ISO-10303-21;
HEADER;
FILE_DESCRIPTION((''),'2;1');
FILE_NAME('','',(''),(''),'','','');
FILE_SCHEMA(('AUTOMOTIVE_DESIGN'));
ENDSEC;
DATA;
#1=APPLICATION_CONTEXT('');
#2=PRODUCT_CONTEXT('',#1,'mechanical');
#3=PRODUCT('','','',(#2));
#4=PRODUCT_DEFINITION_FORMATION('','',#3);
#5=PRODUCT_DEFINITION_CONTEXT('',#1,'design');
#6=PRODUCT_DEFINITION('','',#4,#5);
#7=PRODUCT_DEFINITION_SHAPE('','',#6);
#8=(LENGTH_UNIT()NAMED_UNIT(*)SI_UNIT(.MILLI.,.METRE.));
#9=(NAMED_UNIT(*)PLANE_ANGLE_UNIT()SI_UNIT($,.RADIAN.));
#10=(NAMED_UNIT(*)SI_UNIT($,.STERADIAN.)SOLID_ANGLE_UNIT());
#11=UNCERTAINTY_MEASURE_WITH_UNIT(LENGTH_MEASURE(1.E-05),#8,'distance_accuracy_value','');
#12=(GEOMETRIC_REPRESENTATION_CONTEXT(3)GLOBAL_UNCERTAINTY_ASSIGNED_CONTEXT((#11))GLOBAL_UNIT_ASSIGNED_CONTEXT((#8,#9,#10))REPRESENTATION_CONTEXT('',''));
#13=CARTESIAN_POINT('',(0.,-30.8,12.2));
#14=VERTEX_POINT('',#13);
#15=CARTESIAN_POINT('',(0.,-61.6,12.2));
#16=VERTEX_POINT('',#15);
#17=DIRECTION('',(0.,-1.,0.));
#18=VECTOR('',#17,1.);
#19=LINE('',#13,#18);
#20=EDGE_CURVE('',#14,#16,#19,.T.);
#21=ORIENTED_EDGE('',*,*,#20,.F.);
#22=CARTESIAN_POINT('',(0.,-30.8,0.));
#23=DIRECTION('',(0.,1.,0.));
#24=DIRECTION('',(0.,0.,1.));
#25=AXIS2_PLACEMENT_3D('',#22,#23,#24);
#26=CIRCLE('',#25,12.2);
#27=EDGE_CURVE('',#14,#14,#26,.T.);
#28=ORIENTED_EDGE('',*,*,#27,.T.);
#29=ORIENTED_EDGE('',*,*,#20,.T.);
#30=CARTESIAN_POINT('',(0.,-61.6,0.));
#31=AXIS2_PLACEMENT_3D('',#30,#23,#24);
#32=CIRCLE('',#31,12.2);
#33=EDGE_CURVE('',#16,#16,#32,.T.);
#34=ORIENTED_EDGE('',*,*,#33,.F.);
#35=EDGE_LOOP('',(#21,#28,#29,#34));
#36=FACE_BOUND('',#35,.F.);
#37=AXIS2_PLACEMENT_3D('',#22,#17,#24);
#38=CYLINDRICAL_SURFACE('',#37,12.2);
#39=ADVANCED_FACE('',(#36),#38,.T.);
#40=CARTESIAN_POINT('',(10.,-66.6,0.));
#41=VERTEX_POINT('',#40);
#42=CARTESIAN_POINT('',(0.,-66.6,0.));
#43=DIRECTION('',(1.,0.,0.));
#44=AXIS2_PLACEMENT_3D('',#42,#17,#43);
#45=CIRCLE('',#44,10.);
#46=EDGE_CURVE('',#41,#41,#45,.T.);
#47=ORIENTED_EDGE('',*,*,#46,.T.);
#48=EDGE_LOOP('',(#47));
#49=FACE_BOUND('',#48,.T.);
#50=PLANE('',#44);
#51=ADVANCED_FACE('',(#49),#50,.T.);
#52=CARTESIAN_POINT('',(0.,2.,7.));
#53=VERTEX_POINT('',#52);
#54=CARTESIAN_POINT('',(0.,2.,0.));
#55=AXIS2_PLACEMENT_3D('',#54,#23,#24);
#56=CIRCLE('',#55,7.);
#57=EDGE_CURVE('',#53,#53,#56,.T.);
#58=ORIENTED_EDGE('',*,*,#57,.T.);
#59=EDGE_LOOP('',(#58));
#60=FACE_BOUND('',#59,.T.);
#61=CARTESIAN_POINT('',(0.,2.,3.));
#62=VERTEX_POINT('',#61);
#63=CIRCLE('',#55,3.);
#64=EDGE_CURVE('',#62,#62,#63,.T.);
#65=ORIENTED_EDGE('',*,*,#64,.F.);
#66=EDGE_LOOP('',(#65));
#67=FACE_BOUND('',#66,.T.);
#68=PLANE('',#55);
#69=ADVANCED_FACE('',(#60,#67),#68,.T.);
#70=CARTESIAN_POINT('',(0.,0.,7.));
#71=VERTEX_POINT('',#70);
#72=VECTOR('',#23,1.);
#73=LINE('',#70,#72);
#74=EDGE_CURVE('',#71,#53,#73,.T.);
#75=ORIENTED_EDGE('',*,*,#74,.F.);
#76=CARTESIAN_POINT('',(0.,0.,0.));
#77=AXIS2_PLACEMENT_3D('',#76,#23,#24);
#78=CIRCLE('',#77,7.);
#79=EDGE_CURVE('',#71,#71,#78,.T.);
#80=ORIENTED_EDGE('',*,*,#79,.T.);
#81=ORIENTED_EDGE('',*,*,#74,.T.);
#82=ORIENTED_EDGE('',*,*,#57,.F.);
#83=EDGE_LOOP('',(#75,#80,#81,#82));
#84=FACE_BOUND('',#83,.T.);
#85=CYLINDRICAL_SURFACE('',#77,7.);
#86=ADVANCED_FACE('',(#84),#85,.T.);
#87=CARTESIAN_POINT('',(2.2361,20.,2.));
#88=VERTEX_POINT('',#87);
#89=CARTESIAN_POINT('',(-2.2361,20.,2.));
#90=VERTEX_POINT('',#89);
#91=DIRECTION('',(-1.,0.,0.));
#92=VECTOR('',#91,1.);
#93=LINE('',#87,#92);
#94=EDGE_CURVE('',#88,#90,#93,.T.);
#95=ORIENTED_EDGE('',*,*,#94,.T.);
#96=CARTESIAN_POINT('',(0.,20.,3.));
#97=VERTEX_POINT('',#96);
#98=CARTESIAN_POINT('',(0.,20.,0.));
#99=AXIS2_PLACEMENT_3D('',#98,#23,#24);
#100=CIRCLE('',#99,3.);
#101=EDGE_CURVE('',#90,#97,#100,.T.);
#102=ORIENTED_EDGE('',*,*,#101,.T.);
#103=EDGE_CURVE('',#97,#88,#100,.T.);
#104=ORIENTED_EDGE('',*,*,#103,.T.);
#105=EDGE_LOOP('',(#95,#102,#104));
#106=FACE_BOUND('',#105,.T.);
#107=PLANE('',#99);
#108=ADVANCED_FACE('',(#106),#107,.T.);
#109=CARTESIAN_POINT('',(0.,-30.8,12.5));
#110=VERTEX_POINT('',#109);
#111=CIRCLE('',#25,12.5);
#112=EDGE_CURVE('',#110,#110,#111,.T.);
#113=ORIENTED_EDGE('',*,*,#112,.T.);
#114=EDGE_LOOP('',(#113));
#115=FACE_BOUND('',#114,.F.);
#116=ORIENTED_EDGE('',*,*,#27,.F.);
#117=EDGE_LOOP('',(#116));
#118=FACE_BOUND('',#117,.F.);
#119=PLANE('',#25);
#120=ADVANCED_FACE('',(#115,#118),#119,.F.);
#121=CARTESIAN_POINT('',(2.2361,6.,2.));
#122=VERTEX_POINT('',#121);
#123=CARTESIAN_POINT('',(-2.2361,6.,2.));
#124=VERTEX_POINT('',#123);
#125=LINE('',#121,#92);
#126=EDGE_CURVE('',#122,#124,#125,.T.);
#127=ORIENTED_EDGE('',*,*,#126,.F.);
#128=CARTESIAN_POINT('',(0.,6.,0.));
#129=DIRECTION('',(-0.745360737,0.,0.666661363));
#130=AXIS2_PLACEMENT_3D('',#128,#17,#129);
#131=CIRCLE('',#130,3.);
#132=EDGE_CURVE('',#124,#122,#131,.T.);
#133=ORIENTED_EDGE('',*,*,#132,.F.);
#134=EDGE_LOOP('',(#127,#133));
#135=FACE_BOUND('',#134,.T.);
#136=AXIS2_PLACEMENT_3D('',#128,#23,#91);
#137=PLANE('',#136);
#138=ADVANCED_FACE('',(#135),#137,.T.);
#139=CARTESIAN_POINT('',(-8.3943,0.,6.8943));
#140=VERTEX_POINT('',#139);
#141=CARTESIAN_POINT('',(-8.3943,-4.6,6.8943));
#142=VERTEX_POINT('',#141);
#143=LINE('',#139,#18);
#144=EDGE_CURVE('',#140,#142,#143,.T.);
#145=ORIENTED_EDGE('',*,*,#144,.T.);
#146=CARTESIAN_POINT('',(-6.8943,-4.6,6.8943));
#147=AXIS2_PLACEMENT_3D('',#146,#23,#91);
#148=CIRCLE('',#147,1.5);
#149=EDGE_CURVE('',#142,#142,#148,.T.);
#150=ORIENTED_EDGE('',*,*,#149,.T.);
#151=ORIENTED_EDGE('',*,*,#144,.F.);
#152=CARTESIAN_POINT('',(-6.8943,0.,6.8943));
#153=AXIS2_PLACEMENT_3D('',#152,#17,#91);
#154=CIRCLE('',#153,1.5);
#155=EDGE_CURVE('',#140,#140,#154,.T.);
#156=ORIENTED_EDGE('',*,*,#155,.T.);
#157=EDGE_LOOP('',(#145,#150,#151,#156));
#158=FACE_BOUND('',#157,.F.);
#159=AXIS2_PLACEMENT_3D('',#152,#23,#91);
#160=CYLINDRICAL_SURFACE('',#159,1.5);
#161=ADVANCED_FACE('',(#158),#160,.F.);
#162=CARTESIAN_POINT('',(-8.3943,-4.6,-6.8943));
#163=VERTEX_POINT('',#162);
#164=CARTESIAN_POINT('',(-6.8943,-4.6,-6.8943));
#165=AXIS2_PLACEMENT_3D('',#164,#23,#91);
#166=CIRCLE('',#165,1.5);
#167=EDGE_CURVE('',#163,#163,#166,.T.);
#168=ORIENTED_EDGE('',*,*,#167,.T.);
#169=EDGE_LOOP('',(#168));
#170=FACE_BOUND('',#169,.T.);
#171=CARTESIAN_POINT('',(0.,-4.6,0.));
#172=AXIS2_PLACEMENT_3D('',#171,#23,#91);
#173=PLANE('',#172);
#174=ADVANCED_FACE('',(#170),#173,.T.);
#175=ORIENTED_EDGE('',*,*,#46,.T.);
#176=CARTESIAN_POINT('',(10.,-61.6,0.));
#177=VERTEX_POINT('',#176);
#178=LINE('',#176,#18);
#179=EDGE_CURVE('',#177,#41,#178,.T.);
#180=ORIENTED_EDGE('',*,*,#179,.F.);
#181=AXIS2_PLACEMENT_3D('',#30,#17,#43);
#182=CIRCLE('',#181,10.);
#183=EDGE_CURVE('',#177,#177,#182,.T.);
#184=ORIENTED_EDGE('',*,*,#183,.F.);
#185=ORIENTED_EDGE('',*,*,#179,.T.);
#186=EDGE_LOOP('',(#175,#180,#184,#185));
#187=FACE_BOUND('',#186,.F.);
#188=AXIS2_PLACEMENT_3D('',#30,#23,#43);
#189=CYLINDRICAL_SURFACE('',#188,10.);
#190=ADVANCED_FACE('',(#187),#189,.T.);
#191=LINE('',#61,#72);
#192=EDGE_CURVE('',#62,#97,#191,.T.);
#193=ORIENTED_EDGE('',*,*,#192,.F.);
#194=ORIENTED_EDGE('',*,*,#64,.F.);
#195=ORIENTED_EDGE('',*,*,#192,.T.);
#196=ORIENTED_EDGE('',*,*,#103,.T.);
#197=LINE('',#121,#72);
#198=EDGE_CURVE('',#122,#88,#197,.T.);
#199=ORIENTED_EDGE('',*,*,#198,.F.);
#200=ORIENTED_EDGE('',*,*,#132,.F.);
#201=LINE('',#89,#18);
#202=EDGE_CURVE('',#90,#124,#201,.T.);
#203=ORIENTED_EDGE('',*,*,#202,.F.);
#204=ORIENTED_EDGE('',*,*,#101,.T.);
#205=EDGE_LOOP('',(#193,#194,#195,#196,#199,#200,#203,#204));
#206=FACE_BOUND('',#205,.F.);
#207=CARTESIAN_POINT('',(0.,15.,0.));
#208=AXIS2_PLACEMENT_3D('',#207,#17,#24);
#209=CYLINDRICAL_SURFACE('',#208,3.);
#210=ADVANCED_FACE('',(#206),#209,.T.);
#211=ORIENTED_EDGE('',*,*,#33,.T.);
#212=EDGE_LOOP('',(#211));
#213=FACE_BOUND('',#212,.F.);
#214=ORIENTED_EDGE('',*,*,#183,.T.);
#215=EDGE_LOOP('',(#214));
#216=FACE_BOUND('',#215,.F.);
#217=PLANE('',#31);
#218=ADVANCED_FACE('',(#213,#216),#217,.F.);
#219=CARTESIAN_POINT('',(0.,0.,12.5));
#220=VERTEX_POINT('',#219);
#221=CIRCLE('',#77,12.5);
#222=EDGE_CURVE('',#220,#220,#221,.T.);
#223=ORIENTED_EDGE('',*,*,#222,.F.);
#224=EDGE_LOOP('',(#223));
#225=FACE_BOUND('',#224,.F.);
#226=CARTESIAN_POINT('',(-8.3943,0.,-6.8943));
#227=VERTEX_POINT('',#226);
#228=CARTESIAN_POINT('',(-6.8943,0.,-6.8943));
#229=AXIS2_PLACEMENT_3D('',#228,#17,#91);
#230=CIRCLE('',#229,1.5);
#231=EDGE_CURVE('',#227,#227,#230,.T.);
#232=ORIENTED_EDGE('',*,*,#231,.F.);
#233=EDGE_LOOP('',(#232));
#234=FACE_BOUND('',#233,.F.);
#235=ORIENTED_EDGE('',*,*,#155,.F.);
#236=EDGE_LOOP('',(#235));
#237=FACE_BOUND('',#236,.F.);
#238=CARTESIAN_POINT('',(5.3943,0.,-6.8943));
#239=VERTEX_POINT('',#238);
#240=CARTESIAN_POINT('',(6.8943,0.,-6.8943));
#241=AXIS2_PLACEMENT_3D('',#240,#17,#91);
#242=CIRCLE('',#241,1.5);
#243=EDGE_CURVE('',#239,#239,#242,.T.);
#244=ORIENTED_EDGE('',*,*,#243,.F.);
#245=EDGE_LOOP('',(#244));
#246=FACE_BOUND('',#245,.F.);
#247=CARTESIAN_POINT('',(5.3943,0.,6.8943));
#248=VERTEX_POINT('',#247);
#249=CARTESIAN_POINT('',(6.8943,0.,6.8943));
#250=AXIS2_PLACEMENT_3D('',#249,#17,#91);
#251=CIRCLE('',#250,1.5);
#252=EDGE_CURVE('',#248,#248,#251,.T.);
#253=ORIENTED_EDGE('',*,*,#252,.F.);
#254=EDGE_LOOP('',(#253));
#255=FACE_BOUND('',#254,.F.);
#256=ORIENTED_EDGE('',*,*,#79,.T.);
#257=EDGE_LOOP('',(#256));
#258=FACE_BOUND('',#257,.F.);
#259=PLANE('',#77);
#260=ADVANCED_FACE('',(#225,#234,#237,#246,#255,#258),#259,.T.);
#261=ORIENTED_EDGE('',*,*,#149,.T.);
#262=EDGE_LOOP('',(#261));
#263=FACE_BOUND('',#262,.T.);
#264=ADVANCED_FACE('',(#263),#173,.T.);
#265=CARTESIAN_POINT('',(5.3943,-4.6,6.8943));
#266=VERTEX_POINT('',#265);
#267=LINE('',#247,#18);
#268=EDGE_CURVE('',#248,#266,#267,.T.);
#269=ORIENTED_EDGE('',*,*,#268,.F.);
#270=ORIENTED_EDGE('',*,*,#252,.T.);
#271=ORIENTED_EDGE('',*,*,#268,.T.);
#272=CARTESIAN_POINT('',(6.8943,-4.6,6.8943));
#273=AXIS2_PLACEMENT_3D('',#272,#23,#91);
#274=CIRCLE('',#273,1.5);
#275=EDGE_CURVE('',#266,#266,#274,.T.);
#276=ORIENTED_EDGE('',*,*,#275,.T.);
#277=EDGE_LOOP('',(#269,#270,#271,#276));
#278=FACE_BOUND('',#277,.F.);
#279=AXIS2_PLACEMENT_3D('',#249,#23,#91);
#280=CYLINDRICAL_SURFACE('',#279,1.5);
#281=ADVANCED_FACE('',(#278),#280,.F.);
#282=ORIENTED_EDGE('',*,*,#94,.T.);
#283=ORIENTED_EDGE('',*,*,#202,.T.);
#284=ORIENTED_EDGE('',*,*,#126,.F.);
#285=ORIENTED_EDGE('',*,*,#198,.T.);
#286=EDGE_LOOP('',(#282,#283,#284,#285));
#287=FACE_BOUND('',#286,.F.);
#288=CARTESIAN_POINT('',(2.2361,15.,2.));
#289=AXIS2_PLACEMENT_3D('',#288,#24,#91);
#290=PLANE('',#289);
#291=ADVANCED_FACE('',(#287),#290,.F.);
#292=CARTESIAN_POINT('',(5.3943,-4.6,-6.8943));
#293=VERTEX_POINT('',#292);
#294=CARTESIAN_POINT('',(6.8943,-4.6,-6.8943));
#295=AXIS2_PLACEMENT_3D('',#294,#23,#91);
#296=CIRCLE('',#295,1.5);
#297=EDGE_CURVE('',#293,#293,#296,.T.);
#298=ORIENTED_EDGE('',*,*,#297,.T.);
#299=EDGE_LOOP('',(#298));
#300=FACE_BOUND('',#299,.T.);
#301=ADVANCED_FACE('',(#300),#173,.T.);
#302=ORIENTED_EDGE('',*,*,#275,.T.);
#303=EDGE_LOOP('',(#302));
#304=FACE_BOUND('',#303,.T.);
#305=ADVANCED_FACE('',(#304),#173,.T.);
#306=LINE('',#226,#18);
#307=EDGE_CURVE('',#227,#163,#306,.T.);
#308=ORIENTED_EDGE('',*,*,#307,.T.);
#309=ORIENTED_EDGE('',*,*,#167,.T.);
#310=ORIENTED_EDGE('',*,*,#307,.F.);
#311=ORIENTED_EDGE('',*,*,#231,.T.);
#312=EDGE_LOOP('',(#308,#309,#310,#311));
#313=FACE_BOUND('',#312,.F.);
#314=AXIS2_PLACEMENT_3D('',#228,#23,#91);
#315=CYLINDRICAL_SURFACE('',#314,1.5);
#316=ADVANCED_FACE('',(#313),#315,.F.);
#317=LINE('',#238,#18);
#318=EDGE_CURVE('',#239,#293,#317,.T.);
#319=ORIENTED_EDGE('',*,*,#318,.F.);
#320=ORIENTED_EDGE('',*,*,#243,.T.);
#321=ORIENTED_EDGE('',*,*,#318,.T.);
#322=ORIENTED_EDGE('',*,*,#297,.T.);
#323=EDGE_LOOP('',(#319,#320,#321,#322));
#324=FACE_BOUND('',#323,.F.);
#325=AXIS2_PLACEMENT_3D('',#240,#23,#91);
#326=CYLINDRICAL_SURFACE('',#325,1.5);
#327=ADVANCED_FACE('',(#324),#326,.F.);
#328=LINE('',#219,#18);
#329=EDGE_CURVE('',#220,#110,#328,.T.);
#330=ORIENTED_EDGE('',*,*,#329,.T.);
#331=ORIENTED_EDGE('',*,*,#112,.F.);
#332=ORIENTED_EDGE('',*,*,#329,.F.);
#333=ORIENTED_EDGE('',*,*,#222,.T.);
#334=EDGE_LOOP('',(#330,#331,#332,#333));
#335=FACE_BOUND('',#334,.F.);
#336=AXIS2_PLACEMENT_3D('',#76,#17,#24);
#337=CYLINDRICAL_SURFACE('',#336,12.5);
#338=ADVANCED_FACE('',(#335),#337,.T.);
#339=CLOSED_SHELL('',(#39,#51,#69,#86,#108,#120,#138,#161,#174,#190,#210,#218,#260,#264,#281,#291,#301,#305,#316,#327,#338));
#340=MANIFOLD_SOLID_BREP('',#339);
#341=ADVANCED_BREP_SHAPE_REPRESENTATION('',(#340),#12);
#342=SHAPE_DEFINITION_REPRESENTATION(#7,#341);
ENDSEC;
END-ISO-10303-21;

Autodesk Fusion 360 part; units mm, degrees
sketch "Sketch1" plane through (0, 0, 0) normal (1, 0, 0) x (0, 1, 0)
  line L0 (0, 7) -> (2, 7)
  line L1 (2, 7) -> (2, 0)
  line L2 (0, 0) -> (0, 12.5)
  line L3 (0, 12.5) -> (-30.8, 12.5)
  line L4 (-30.8, 12.5) -> (-30.8, 0)
  line L5 (-30.8, 12.2) -> (-61.6, 12.2)
  line L6 (-61.6, 12.2) -> (-61.6, 0)
  line L7 (-61.6, 0) -> (0, 0)
  line L8 (2, 3) -> (15, 3)
  line L9 (15, 3) -> (15, 0)
  line L10 (15, 0) -> (0, 0)
  line L11 (-61.6, -12.2) -> (-61.6, 0)
  line L12 (-30.8, -12.2) -> (-61.6, -12.2)
  line L13 (-30.8, -12.5) -> (-30.8, 0)
  line L14 (0, -12.5) -> (-30.8, -12.5)
  line L15 (0, 0) -> (0, -12.5)
  line L16 (0, -7) -> (2, -7)
  line L17 (2, -7) -> (2, 0)
  line L18 (2, -3) -> (15, -3)
  line L19 (15, -3) -> (15, 0)
  dimension "d1" = 25
  dimension "d2" = 24.4
  dimension "d3" = 14
  dimension "d4" = 6
  dimension "d5" = 15
  dimension "d7" = 30.8
  dimension "d8" = 30.8
  dimension "d9" = 2
revolve "Revolve1" add sketch "Sketch1" angle 360 about axis through (0, 1.75, 0) along (0, 1, 0) contours L0 L1 L2 L10 | L2 L3 L4 L7 | L1 L8 L9 L10 | L4 L5 L6 L7
sketch "Sketch2" plane through (0, 15, 0) normal (0, 1, 0) x (-1, 0, 0)
  circle A0 centre (0, 0) radius 3
  circle A1 centre (0, 0) radius 3
  line L0 (-2.2361, 2) -> (2.2361, 2)
  line L1 (0, 0) -> (0, -3)
  point P0 (0, -3)
  dimension "d11" = 6
  dimension "d12" = 5
extrude "Extrude1" cut sketch "Sketch2" against normal blind 9 contours A0 A1 L0 picked at (-0.1433, 0.3437)
sketch "Sketch3" plane through (0, 0, 0) normal (0, 1, 0) x (-1, 0, 0)
  circle A0 centre (0, 0) radius 12.5
  circle A1 centre (0, 0) radius 7
  circle A2 centre (-6.8943, 6.8943) radius 1.5
  circle A3 centre (6.8943, 6.8943) radius 1.5
  circle A4 centre (6.8943, -6.8943) radius 1.5
  circle A5 centre (-6.8943, -6.8943) radius 1.5
  line L0 (0, 0) -> (-6.8943, 6.8943)
  line L1 (0, 0) -> (6.8943, 6.8943)
  line L2 (6.8943, -6.8943) -> (0, 0)
  line L3 (0, 0) -> (-6.8943, -6.8943)
  circle A6 centre (0, 0) radius 9.75
  line L4 (0, 0) -> (2.2693, 0)
  dimension "d15" = 3
  dimension "d16" = 19.5
  dimension "d20" = 45
extrude "Extrude2" cut sketch "Sketch3" against normal blind 4.6 contours A3 L1 A6 | A3 L1 A6 | A4 L2 A6 | A4 L2 A6 | A2 L0 A6 | A2 L0 A6 | A3 A6 | A5 L3 A6 | A5 L3 A6 | A4 A6 | A2 A6 | A5 A6
sketch "Sketch4" plane through (0, -61.6, 0) normal (0, -1, 0) x (1, 0, 0)
  circle A0 centre (0, 0) radius 12.2
  circle A1 centre (0, 0) radius 10
  dimension "d23" = 20
extrude "Extrude3" add sketch "Sketch4" along normal blind 5 contours A1
extrude "Extrude4" add 1 faces at (-0.4082, 15, 2.4414) along direction (0, 1, 0) blind 5
equation "d16 = 14 mm + ( ( 25 - 14 ) / 2 ) * 1 mm"
